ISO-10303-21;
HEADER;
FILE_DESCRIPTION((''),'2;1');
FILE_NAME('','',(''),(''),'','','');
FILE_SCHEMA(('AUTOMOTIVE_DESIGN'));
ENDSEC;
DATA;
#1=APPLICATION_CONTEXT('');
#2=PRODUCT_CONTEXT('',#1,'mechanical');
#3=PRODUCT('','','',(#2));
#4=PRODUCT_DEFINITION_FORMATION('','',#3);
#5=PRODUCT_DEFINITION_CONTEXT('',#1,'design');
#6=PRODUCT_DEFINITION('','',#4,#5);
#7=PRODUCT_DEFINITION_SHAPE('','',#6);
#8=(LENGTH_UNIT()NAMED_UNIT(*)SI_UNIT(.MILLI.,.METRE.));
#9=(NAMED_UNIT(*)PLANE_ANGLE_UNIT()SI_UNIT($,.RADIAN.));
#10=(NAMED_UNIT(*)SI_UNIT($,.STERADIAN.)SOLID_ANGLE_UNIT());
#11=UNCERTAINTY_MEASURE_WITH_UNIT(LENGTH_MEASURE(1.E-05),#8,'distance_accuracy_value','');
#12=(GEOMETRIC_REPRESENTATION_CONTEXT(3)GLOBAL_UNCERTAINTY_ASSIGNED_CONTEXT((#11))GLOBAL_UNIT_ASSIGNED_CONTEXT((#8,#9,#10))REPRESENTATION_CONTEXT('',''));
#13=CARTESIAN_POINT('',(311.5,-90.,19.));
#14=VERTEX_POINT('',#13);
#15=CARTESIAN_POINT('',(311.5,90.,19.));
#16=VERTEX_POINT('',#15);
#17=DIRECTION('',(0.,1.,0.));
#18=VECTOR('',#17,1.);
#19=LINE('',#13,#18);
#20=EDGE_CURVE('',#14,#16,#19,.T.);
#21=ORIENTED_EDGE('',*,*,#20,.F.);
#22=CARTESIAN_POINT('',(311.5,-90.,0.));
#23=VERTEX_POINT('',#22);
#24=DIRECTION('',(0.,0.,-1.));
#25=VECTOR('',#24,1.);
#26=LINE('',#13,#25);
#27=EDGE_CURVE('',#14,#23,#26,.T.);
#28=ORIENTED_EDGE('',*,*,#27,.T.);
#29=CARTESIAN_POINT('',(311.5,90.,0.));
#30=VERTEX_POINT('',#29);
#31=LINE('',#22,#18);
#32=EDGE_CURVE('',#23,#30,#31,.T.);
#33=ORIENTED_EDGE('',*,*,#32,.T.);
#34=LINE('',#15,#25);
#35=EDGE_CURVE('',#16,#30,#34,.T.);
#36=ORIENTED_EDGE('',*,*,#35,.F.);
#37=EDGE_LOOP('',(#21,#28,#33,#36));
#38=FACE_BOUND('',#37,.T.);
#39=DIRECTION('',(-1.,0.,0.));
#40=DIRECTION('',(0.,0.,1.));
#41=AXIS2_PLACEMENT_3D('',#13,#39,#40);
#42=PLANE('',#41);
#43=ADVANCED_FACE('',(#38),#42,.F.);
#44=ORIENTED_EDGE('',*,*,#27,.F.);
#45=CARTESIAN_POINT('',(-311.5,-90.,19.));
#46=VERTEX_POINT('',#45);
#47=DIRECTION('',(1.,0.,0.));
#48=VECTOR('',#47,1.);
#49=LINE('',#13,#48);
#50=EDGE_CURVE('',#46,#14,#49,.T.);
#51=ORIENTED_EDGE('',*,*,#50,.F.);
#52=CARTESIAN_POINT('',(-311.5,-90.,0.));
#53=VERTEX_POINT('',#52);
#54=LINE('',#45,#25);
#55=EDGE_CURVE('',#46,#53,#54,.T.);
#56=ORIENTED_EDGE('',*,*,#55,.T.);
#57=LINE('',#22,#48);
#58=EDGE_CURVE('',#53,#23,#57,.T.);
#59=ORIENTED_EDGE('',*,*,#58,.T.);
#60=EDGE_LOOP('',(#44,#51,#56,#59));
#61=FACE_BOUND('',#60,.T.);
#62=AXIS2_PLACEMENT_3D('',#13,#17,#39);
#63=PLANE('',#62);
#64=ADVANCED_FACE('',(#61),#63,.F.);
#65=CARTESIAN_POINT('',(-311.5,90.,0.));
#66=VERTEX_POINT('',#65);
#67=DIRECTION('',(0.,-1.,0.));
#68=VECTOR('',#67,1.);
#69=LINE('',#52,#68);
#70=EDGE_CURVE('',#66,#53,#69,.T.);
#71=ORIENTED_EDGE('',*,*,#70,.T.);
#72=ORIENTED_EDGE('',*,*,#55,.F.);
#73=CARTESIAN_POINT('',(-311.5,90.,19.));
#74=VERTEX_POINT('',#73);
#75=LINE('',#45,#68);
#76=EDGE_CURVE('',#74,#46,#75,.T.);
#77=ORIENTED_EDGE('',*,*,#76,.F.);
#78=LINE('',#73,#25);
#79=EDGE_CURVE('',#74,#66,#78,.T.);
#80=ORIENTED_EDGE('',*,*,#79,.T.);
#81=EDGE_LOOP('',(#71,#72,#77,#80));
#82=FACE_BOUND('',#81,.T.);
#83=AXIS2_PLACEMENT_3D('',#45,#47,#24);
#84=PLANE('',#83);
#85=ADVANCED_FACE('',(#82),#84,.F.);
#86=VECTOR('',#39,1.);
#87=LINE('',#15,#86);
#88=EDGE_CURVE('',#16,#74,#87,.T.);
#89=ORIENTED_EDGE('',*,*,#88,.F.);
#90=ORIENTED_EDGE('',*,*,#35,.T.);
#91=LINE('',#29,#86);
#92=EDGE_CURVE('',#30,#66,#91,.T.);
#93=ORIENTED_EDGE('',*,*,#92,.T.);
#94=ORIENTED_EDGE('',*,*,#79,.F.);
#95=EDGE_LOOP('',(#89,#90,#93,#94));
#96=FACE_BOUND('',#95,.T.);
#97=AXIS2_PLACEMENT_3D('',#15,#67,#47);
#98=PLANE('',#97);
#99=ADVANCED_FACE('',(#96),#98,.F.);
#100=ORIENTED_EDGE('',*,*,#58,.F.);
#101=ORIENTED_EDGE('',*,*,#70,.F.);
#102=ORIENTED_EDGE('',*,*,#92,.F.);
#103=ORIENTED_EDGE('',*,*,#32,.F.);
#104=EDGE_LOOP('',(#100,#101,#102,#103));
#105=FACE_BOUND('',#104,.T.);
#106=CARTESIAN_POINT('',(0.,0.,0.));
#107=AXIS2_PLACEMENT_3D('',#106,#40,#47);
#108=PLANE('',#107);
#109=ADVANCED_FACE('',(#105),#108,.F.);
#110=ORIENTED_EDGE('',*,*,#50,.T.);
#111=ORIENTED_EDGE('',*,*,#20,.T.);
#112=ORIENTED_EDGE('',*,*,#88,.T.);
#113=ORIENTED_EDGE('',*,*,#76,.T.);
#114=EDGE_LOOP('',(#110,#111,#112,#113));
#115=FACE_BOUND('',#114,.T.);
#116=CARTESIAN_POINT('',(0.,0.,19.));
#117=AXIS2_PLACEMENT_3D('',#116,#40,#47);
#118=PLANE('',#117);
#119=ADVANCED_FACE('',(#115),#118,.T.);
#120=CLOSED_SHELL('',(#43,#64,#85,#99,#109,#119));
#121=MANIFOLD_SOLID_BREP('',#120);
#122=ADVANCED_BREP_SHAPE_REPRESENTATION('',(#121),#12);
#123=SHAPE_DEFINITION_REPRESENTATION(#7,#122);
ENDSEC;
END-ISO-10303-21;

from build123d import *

# Parameters (mm, degrees)
SKIZZE1_W                       = 623
SKIZZE1_H                       = 180
AUFSATZ_LINEAR_AUSTRAGEN1_DEPTH = 19


with BuildPart() as part:
    # Skizze1 → Aufsatz-Linear austragen1 (new body)
    with BuildSketch(Plane.XY):
        Rectangle(SKIZZE1_W, SKIZZE1_H)
    extrude(amount=AUFSATZ_LINEAR_AUSTRAGEN1_DEPTH)


solid = part.part
